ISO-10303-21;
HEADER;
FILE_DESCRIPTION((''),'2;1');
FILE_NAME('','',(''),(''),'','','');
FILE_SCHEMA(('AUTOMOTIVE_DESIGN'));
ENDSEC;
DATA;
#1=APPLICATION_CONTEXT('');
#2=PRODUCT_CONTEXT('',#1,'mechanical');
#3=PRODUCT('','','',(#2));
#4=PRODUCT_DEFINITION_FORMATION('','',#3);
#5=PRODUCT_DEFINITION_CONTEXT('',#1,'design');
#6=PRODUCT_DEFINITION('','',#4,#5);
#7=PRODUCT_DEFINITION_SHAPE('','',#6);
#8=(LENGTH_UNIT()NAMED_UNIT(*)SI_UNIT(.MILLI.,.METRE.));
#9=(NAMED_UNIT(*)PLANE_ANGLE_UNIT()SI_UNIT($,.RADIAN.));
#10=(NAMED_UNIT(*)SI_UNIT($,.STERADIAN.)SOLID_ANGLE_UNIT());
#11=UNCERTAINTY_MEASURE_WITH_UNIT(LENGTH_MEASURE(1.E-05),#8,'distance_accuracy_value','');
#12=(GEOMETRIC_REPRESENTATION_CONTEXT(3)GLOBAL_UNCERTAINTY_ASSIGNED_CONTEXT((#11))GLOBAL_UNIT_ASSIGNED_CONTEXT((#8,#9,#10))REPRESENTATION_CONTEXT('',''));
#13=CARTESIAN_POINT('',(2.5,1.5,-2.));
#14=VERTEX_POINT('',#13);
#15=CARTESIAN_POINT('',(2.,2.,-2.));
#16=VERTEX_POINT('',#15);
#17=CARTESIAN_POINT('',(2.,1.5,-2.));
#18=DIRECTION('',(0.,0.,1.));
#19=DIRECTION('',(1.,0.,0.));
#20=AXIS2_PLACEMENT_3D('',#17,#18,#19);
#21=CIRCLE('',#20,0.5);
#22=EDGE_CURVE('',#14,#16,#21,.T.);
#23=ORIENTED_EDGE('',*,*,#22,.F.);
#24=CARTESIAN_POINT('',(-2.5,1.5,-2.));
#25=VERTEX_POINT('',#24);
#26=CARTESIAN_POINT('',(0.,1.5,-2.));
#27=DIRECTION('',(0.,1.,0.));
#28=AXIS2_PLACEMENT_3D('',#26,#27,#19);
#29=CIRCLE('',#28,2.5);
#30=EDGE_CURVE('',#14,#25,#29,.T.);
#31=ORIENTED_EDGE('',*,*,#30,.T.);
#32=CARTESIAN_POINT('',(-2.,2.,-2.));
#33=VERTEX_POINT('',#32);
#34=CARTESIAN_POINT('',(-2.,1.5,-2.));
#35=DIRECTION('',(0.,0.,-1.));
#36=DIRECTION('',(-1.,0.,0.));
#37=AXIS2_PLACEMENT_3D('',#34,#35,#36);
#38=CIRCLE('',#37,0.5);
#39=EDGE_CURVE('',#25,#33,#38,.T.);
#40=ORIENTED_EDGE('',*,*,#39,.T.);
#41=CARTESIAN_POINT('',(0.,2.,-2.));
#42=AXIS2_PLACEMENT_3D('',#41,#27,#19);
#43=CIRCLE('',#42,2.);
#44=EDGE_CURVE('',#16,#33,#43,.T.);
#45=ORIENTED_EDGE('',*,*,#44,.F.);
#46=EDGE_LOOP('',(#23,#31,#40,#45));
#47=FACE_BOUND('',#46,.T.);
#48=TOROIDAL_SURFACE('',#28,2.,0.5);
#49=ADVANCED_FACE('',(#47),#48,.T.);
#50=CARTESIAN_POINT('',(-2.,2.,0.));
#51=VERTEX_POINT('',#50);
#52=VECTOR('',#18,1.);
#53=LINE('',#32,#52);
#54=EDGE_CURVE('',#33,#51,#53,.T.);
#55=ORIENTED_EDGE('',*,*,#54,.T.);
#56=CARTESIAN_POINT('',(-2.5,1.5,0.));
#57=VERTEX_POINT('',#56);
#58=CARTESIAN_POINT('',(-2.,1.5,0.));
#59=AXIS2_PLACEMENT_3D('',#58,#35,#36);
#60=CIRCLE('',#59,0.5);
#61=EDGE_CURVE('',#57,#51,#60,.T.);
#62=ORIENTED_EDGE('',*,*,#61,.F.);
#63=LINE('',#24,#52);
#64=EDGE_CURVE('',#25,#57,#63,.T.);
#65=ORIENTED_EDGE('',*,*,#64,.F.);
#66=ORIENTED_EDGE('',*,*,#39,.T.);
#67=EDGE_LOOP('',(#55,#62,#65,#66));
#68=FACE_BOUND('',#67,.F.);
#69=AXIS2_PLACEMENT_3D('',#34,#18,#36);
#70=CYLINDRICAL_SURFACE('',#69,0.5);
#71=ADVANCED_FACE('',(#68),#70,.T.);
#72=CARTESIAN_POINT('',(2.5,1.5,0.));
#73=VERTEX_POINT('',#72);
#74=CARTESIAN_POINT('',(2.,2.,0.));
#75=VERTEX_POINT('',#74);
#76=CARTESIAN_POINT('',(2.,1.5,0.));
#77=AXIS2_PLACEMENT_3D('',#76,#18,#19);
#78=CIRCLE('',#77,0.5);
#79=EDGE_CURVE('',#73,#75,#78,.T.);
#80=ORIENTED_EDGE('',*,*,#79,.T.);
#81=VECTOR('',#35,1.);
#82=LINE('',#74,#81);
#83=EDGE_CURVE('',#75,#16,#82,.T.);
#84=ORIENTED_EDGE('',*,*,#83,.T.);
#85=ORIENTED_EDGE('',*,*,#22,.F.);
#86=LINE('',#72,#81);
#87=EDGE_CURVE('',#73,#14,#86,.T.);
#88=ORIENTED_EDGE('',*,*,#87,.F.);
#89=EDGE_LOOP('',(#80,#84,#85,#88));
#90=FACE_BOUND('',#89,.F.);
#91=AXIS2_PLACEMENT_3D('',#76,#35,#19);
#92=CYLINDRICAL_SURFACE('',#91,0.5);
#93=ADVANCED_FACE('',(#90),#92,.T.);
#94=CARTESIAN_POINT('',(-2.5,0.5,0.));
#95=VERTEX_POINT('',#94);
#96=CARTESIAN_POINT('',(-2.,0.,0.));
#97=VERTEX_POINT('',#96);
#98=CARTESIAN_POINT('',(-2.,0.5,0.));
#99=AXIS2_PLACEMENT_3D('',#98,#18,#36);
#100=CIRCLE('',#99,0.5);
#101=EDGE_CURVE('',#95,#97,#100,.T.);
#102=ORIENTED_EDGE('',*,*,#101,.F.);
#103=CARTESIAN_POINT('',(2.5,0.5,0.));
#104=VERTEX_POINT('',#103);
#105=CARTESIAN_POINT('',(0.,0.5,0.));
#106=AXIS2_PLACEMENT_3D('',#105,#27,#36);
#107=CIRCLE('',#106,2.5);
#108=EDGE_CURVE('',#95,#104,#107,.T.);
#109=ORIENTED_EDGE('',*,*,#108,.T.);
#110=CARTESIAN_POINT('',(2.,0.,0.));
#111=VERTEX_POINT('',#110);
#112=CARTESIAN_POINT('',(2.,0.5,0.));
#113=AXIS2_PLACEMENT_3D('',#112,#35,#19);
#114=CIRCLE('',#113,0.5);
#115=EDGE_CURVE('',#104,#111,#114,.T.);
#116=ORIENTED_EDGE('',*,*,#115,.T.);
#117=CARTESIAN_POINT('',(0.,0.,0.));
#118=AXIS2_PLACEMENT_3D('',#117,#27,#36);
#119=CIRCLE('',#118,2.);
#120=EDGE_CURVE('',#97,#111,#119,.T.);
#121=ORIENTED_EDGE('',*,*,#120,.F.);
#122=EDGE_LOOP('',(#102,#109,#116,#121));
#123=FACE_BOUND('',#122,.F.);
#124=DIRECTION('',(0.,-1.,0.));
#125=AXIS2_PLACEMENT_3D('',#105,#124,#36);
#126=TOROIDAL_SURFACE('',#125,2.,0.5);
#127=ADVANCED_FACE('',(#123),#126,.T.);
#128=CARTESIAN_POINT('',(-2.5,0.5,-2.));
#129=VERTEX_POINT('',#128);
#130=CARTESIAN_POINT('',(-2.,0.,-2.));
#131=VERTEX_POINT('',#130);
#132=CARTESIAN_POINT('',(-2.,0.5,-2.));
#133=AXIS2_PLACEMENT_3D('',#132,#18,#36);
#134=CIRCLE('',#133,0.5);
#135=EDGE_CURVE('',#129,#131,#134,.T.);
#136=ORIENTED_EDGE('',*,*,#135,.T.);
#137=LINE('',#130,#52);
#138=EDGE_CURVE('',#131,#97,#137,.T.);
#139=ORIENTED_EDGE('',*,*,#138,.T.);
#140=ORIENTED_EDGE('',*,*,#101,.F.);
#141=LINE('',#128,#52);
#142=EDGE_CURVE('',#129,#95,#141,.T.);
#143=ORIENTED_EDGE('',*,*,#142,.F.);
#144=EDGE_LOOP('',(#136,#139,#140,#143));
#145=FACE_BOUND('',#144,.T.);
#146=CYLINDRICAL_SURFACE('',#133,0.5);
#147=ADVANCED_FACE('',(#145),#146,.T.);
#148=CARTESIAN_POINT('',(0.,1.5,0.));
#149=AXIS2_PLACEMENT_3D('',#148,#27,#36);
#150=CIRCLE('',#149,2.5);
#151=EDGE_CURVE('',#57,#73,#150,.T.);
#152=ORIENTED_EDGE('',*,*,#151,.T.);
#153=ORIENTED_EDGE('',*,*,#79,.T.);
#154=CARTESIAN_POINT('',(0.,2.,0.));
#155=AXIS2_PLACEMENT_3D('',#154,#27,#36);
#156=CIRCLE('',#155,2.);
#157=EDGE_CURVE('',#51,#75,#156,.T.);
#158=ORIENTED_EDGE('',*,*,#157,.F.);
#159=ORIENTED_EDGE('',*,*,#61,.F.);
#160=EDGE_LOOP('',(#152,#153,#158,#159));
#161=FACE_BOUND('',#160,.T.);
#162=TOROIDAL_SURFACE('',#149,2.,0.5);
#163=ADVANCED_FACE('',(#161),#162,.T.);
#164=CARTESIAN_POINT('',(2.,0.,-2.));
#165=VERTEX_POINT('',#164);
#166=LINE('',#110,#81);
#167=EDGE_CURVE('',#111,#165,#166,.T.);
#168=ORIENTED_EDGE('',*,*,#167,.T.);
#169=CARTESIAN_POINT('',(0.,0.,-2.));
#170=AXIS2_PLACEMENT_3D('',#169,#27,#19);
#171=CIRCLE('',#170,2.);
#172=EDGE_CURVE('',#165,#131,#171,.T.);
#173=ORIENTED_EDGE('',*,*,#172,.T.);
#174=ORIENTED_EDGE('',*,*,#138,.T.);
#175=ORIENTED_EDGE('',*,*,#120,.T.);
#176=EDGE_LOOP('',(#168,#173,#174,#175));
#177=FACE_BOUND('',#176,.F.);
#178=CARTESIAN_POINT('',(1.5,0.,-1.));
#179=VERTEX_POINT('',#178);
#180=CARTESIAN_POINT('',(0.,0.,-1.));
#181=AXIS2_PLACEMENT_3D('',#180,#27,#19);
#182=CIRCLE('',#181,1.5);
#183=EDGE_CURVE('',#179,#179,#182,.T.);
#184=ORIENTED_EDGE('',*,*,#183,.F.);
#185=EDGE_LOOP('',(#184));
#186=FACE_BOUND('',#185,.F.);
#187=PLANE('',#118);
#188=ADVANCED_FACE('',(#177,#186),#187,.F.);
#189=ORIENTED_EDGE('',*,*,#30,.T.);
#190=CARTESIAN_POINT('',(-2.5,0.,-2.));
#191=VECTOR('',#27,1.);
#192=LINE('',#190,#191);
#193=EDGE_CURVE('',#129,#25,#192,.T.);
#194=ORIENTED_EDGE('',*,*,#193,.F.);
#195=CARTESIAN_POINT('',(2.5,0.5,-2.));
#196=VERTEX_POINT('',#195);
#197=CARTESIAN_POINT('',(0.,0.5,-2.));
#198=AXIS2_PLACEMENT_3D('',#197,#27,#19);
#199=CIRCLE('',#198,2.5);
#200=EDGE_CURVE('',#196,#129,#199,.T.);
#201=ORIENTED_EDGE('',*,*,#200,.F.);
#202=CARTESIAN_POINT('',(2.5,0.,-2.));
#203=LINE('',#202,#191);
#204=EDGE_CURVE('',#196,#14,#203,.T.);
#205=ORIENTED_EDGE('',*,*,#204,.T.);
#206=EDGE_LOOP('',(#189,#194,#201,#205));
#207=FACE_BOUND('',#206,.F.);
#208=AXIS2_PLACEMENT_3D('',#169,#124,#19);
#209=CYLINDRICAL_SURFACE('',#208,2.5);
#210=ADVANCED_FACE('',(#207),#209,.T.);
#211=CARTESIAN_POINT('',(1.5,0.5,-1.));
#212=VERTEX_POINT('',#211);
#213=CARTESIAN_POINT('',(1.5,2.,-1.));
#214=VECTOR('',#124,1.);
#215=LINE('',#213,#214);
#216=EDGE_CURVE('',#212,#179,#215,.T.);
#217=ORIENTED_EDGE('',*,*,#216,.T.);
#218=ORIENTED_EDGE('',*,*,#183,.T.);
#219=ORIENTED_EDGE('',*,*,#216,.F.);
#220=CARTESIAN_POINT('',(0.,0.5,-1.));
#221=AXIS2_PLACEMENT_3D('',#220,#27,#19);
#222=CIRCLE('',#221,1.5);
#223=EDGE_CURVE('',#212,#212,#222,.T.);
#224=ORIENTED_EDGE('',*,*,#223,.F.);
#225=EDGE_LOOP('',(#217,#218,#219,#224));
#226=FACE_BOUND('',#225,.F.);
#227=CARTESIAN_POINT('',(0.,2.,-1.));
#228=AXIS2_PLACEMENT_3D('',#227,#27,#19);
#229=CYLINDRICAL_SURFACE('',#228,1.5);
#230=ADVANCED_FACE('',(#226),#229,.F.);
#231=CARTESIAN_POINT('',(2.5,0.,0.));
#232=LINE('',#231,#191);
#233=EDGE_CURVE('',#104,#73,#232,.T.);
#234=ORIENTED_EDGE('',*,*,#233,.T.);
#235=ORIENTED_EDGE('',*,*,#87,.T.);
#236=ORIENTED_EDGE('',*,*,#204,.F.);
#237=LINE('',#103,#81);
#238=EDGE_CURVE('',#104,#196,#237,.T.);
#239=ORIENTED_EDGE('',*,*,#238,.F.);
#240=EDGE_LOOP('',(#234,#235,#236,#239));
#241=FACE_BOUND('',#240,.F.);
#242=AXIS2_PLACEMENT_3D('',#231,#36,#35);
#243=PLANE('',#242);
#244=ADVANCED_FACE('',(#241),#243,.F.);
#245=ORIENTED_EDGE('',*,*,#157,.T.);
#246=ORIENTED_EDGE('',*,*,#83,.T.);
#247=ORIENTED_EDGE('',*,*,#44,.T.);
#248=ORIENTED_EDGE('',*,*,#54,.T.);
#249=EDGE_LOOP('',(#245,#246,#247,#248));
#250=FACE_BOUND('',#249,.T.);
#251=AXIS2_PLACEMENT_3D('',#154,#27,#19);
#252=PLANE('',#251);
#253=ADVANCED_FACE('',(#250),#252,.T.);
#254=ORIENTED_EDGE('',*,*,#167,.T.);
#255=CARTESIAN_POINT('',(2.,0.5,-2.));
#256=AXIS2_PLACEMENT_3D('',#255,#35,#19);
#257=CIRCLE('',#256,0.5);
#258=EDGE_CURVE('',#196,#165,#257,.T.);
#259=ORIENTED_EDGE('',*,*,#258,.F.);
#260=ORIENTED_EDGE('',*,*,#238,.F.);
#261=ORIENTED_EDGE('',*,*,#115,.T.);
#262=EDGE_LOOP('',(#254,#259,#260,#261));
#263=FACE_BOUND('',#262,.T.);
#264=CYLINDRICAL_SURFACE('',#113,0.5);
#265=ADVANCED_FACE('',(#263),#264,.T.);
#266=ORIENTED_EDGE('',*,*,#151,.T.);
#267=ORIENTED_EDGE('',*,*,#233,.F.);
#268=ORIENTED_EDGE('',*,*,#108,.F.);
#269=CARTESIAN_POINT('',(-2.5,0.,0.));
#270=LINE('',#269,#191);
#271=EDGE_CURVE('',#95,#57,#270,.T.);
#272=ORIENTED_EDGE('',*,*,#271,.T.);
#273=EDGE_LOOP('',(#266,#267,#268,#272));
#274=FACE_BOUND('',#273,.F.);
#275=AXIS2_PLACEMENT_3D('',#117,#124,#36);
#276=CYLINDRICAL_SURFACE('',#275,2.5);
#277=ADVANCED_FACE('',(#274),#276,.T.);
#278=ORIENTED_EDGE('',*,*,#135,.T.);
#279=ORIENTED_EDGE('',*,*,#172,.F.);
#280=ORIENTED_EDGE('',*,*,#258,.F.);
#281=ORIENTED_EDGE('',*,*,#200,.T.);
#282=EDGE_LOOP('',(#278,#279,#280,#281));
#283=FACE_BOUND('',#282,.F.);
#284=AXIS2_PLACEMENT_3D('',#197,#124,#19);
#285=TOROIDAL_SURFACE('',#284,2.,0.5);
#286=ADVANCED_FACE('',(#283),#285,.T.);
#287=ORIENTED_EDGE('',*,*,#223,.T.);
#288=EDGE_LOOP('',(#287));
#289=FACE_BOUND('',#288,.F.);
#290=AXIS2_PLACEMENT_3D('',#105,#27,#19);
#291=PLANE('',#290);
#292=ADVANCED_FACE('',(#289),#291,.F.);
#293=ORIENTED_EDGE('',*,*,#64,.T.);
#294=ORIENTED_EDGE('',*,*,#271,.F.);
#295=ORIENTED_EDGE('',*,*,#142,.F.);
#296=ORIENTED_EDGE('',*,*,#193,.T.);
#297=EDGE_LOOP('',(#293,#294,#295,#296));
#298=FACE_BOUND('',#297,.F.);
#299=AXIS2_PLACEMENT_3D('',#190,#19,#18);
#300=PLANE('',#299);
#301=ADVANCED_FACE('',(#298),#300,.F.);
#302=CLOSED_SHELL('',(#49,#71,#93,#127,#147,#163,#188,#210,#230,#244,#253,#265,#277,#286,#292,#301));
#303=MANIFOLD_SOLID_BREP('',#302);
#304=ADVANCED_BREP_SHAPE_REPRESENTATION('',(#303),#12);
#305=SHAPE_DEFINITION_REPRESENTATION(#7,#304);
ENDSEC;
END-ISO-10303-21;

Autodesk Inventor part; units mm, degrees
ref_plane "YZ Plane" through (0, 0, 0) normal (1, 0, 0) x (0, 1, 0)
ref_plane "XZ Plane" through (0, 0, 0) normal (0, 1, 0) x (-1, 0, 0)
ref_plane "XY Plane" through (0, 0, 0) normal (0, 0, 1) x (1, 0, 0)
sketch "Sketch1" plane through (0, 0, 0) normal (0, 1, 0) x (-1, 0, 0)
  line L0 (0, 0) -> (0, -2) construction
  line L1 (-2.5, 0) -> (-2.5, -2)
  line L2 (2.5, -2) -> (2.5, 0)
  arc A0 (2.5, 0) -> (-2.5, 0) centre (0, 0) ccw
  arc A1 (-2.5, -2) -> (2.5, -2) centre (0, -2) ccw
  point P0 (0, -1)
  dimension "d0" = 2.5
  dimension "d1" = 2
extrude "Extrusion1" add sketch "Sketch1" along normal blind 2
sketch "Sketch2" plane through (0, 2, 0) normal (0, 1, 0) x (1, 0, 0)
  circle A0 centre (0, 1) radius 1.5
  line L0 (-2.5, 2) -> (-2.5, 0) projected
  point P0 (0, 0)
  point P1 (-2.5, 1)
  dimension "d4" = 3
extrude "Extrusion2" cut sketch "Sketch2" against normal blind 12.25
fillet "Fillet1" radius 0.5 8 edges at (2.5, 2, -1) (0, 2, -4.5) (-2.5, 2, -1) (0, 2, 2.5) (2.5, 0, -1) (0, 0, -4.5) (-2.5, 0, -1) (0, 0, 2.5)
sketch "Sketch3" plane through (0, 2, 0) normal (0, 1, 0) x (1, 0, 0)
  circle A0 centre (0, 1) radius 1.5 projected
  point P0 (0, 0)
extrude "Extrusion3" add sketch "Sketch3" against normal blind 1.5
properties part number "Ползунок"
